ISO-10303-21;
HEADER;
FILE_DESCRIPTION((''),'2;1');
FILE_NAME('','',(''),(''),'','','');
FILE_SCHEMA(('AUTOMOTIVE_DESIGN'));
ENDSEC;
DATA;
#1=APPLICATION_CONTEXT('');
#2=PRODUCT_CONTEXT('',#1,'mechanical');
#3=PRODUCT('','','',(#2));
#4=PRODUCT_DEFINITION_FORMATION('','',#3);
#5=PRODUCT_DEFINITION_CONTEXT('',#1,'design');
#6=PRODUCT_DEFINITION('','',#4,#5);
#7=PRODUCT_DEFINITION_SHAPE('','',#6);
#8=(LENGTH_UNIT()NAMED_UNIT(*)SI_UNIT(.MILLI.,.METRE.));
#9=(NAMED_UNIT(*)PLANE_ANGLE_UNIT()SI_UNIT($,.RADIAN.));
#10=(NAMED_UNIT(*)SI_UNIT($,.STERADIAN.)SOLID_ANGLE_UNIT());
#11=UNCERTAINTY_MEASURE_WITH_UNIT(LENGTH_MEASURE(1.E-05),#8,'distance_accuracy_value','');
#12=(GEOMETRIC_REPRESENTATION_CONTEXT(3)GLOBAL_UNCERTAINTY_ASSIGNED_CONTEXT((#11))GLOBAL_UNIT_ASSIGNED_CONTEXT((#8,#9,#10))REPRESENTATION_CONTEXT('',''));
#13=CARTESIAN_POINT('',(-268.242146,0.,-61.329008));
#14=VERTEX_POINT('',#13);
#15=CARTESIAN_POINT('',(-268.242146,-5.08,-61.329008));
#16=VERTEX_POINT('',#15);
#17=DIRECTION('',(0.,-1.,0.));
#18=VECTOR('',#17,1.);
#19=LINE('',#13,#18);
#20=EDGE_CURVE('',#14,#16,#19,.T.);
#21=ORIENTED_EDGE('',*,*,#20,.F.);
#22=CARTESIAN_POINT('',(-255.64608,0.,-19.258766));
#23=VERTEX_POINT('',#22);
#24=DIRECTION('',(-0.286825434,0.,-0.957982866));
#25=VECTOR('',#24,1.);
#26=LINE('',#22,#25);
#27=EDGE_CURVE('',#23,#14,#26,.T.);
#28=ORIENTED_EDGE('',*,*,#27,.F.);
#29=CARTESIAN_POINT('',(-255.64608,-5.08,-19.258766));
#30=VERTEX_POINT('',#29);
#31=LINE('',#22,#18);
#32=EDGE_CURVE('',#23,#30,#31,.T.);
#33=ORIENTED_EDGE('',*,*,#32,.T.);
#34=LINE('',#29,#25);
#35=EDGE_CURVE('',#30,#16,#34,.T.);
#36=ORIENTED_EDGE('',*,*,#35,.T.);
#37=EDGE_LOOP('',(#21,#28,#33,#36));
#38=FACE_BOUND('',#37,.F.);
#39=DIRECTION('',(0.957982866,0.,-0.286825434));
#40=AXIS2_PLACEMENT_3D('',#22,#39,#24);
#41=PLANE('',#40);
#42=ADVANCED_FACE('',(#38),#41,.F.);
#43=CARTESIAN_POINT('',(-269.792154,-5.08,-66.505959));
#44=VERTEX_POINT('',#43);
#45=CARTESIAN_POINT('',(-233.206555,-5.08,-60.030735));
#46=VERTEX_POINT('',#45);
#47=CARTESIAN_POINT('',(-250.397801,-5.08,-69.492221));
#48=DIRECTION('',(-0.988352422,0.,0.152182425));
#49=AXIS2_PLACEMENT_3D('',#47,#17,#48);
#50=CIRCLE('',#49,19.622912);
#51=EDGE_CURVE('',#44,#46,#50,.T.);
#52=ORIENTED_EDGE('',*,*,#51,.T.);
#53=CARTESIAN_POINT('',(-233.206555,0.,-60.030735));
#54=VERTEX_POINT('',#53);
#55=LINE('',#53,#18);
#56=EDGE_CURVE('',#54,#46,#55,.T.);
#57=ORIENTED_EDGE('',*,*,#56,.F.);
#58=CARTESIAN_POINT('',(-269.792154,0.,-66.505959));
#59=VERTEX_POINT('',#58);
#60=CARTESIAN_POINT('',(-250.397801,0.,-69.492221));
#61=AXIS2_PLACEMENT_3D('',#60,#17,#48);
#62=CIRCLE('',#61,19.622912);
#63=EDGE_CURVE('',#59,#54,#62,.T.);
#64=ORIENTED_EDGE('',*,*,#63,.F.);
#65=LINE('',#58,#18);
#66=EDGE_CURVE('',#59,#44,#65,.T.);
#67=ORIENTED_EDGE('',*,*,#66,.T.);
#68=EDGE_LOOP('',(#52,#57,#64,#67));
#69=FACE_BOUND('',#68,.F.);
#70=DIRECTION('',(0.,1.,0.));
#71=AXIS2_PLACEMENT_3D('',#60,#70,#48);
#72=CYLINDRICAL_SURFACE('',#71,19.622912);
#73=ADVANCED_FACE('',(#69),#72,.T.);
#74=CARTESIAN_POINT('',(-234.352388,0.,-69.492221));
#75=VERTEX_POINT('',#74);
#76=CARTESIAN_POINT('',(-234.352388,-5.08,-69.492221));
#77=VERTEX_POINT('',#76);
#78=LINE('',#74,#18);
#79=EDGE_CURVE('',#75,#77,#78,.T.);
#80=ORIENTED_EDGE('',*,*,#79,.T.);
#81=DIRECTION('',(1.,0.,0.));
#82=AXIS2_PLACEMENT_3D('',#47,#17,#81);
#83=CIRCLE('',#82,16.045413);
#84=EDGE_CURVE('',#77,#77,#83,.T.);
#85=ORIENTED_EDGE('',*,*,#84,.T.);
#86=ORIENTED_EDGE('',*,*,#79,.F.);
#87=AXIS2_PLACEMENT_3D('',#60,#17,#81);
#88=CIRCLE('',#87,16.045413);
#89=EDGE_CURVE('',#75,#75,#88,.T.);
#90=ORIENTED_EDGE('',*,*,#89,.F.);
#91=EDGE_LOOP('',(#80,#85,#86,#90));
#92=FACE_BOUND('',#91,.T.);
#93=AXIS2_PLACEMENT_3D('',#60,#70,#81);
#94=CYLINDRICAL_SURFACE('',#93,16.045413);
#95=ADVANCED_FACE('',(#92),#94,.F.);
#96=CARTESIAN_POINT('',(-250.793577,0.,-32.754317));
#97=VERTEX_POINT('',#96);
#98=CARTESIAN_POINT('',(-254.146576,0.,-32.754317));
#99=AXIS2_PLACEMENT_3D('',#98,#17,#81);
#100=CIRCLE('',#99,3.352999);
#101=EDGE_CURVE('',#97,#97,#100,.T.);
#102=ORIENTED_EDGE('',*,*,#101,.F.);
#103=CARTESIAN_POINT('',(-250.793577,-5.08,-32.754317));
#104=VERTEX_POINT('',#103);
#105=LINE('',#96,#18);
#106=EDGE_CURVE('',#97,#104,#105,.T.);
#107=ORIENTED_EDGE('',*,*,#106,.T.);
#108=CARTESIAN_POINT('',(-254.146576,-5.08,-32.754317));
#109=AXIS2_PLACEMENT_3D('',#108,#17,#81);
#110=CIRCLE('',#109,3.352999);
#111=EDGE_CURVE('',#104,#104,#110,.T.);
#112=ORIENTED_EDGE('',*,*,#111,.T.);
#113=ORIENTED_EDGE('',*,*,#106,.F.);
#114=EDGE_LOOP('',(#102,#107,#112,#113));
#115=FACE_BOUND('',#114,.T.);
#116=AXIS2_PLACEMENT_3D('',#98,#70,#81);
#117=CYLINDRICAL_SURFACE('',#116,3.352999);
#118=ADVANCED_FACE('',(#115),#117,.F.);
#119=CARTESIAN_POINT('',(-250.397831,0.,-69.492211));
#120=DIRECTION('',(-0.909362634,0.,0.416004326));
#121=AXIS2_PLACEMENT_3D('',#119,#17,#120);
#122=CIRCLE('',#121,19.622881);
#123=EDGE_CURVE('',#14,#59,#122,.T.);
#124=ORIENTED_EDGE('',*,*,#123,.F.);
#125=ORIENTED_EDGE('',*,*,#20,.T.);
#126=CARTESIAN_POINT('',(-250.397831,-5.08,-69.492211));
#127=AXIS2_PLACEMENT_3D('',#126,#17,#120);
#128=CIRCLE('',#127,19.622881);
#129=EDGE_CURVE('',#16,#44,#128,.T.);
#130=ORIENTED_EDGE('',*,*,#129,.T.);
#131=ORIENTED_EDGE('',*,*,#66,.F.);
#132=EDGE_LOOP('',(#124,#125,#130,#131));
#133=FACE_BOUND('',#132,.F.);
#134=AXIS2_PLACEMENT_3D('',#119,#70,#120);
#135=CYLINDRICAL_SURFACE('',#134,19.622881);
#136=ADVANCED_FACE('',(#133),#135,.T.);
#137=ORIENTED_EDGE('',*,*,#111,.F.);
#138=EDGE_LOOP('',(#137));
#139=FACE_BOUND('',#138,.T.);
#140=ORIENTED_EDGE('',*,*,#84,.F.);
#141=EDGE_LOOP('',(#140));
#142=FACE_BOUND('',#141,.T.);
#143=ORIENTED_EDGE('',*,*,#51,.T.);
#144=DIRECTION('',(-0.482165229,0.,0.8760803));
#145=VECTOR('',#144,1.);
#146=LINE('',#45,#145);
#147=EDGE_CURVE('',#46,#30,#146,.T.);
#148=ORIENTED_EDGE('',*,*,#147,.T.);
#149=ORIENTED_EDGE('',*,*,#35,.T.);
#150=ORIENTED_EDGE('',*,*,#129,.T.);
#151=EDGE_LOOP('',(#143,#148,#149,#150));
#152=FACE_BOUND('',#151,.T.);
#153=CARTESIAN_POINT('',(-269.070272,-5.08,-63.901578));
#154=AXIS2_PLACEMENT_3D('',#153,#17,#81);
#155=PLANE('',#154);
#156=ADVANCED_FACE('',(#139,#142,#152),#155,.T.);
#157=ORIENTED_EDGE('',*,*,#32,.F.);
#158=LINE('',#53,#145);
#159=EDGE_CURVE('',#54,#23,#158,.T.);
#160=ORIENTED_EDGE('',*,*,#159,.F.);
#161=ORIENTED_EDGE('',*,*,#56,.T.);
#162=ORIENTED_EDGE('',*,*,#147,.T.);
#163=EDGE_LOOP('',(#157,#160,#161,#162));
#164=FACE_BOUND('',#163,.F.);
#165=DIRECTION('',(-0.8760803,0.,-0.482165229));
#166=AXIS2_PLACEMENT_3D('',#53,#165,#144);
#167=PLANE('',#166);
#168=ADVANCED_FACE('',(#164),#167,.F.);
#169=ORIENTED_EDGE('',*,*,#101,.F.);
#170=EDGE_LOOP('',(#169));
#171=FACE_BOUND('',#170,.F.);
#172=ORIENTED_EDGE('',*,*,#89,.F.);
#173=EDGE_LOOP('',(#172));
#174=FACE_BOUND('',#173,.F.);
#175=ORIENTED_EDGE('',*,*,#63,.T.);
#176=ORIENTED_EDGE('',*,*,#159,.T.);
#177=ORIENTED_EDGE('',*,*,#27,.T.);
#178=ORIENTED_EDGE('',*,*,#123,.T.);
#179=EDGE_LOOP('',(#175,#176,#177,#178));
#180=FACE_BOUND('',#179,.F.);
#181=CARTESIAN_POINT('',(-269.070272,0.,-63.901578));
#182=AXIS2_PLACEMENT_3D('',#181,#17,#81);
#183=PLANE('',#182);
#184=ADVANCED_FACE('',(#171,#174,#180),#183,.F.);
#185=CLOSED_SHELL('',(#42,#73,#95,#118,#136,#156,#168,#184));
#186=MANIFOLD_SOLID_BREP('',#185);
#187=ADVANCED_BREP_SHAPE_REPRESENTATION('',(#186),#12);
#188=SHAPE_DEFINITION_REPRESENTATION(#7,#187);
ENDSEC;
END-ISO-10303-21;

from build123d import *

# Parameters (mm, degrees)
F0_R     = 16.045413
F0_R_2   = 3.352999
F1_DEPTH = 5.08


with BuildPart() as f1:
    # F0 (on Front) → F1 (new body)
    with BuildSketch(Plane.XZ):
        with BuildLine():
            Line((-269.792154, -66.505959), (-268.242146, -61.329008))
            ThreePointArc((-268.242146, -61.329008), (-269.196215, -63.86387), (-269.792154, -66.505959))
        make_face()
        with BuildLine():
            Line((-255.64608, -19.258766), (-268.242146, -61.329008))
            Line((-268.242146, -61.329008), (-269.792154, -66.505959))
            ThreePointArc((-269.792154, -66.505959), (-246.977926, -88.814828), (-233.206555, -60.030735))
            Line((-233.206555, -60.030735), (-255.64608, -19.258766))
        make_face()
        with Locations((-250.397801, -69.492221)):
            Circle(F0_R, mode=Mode.SUBTRACT)
        with Locations((-254.146576, -32.754317)):
            Circle(F0_R_2, mode=Mode.SUBTRACT)
    extrude(amount=F1_DEPTH)


solid = f1.part
